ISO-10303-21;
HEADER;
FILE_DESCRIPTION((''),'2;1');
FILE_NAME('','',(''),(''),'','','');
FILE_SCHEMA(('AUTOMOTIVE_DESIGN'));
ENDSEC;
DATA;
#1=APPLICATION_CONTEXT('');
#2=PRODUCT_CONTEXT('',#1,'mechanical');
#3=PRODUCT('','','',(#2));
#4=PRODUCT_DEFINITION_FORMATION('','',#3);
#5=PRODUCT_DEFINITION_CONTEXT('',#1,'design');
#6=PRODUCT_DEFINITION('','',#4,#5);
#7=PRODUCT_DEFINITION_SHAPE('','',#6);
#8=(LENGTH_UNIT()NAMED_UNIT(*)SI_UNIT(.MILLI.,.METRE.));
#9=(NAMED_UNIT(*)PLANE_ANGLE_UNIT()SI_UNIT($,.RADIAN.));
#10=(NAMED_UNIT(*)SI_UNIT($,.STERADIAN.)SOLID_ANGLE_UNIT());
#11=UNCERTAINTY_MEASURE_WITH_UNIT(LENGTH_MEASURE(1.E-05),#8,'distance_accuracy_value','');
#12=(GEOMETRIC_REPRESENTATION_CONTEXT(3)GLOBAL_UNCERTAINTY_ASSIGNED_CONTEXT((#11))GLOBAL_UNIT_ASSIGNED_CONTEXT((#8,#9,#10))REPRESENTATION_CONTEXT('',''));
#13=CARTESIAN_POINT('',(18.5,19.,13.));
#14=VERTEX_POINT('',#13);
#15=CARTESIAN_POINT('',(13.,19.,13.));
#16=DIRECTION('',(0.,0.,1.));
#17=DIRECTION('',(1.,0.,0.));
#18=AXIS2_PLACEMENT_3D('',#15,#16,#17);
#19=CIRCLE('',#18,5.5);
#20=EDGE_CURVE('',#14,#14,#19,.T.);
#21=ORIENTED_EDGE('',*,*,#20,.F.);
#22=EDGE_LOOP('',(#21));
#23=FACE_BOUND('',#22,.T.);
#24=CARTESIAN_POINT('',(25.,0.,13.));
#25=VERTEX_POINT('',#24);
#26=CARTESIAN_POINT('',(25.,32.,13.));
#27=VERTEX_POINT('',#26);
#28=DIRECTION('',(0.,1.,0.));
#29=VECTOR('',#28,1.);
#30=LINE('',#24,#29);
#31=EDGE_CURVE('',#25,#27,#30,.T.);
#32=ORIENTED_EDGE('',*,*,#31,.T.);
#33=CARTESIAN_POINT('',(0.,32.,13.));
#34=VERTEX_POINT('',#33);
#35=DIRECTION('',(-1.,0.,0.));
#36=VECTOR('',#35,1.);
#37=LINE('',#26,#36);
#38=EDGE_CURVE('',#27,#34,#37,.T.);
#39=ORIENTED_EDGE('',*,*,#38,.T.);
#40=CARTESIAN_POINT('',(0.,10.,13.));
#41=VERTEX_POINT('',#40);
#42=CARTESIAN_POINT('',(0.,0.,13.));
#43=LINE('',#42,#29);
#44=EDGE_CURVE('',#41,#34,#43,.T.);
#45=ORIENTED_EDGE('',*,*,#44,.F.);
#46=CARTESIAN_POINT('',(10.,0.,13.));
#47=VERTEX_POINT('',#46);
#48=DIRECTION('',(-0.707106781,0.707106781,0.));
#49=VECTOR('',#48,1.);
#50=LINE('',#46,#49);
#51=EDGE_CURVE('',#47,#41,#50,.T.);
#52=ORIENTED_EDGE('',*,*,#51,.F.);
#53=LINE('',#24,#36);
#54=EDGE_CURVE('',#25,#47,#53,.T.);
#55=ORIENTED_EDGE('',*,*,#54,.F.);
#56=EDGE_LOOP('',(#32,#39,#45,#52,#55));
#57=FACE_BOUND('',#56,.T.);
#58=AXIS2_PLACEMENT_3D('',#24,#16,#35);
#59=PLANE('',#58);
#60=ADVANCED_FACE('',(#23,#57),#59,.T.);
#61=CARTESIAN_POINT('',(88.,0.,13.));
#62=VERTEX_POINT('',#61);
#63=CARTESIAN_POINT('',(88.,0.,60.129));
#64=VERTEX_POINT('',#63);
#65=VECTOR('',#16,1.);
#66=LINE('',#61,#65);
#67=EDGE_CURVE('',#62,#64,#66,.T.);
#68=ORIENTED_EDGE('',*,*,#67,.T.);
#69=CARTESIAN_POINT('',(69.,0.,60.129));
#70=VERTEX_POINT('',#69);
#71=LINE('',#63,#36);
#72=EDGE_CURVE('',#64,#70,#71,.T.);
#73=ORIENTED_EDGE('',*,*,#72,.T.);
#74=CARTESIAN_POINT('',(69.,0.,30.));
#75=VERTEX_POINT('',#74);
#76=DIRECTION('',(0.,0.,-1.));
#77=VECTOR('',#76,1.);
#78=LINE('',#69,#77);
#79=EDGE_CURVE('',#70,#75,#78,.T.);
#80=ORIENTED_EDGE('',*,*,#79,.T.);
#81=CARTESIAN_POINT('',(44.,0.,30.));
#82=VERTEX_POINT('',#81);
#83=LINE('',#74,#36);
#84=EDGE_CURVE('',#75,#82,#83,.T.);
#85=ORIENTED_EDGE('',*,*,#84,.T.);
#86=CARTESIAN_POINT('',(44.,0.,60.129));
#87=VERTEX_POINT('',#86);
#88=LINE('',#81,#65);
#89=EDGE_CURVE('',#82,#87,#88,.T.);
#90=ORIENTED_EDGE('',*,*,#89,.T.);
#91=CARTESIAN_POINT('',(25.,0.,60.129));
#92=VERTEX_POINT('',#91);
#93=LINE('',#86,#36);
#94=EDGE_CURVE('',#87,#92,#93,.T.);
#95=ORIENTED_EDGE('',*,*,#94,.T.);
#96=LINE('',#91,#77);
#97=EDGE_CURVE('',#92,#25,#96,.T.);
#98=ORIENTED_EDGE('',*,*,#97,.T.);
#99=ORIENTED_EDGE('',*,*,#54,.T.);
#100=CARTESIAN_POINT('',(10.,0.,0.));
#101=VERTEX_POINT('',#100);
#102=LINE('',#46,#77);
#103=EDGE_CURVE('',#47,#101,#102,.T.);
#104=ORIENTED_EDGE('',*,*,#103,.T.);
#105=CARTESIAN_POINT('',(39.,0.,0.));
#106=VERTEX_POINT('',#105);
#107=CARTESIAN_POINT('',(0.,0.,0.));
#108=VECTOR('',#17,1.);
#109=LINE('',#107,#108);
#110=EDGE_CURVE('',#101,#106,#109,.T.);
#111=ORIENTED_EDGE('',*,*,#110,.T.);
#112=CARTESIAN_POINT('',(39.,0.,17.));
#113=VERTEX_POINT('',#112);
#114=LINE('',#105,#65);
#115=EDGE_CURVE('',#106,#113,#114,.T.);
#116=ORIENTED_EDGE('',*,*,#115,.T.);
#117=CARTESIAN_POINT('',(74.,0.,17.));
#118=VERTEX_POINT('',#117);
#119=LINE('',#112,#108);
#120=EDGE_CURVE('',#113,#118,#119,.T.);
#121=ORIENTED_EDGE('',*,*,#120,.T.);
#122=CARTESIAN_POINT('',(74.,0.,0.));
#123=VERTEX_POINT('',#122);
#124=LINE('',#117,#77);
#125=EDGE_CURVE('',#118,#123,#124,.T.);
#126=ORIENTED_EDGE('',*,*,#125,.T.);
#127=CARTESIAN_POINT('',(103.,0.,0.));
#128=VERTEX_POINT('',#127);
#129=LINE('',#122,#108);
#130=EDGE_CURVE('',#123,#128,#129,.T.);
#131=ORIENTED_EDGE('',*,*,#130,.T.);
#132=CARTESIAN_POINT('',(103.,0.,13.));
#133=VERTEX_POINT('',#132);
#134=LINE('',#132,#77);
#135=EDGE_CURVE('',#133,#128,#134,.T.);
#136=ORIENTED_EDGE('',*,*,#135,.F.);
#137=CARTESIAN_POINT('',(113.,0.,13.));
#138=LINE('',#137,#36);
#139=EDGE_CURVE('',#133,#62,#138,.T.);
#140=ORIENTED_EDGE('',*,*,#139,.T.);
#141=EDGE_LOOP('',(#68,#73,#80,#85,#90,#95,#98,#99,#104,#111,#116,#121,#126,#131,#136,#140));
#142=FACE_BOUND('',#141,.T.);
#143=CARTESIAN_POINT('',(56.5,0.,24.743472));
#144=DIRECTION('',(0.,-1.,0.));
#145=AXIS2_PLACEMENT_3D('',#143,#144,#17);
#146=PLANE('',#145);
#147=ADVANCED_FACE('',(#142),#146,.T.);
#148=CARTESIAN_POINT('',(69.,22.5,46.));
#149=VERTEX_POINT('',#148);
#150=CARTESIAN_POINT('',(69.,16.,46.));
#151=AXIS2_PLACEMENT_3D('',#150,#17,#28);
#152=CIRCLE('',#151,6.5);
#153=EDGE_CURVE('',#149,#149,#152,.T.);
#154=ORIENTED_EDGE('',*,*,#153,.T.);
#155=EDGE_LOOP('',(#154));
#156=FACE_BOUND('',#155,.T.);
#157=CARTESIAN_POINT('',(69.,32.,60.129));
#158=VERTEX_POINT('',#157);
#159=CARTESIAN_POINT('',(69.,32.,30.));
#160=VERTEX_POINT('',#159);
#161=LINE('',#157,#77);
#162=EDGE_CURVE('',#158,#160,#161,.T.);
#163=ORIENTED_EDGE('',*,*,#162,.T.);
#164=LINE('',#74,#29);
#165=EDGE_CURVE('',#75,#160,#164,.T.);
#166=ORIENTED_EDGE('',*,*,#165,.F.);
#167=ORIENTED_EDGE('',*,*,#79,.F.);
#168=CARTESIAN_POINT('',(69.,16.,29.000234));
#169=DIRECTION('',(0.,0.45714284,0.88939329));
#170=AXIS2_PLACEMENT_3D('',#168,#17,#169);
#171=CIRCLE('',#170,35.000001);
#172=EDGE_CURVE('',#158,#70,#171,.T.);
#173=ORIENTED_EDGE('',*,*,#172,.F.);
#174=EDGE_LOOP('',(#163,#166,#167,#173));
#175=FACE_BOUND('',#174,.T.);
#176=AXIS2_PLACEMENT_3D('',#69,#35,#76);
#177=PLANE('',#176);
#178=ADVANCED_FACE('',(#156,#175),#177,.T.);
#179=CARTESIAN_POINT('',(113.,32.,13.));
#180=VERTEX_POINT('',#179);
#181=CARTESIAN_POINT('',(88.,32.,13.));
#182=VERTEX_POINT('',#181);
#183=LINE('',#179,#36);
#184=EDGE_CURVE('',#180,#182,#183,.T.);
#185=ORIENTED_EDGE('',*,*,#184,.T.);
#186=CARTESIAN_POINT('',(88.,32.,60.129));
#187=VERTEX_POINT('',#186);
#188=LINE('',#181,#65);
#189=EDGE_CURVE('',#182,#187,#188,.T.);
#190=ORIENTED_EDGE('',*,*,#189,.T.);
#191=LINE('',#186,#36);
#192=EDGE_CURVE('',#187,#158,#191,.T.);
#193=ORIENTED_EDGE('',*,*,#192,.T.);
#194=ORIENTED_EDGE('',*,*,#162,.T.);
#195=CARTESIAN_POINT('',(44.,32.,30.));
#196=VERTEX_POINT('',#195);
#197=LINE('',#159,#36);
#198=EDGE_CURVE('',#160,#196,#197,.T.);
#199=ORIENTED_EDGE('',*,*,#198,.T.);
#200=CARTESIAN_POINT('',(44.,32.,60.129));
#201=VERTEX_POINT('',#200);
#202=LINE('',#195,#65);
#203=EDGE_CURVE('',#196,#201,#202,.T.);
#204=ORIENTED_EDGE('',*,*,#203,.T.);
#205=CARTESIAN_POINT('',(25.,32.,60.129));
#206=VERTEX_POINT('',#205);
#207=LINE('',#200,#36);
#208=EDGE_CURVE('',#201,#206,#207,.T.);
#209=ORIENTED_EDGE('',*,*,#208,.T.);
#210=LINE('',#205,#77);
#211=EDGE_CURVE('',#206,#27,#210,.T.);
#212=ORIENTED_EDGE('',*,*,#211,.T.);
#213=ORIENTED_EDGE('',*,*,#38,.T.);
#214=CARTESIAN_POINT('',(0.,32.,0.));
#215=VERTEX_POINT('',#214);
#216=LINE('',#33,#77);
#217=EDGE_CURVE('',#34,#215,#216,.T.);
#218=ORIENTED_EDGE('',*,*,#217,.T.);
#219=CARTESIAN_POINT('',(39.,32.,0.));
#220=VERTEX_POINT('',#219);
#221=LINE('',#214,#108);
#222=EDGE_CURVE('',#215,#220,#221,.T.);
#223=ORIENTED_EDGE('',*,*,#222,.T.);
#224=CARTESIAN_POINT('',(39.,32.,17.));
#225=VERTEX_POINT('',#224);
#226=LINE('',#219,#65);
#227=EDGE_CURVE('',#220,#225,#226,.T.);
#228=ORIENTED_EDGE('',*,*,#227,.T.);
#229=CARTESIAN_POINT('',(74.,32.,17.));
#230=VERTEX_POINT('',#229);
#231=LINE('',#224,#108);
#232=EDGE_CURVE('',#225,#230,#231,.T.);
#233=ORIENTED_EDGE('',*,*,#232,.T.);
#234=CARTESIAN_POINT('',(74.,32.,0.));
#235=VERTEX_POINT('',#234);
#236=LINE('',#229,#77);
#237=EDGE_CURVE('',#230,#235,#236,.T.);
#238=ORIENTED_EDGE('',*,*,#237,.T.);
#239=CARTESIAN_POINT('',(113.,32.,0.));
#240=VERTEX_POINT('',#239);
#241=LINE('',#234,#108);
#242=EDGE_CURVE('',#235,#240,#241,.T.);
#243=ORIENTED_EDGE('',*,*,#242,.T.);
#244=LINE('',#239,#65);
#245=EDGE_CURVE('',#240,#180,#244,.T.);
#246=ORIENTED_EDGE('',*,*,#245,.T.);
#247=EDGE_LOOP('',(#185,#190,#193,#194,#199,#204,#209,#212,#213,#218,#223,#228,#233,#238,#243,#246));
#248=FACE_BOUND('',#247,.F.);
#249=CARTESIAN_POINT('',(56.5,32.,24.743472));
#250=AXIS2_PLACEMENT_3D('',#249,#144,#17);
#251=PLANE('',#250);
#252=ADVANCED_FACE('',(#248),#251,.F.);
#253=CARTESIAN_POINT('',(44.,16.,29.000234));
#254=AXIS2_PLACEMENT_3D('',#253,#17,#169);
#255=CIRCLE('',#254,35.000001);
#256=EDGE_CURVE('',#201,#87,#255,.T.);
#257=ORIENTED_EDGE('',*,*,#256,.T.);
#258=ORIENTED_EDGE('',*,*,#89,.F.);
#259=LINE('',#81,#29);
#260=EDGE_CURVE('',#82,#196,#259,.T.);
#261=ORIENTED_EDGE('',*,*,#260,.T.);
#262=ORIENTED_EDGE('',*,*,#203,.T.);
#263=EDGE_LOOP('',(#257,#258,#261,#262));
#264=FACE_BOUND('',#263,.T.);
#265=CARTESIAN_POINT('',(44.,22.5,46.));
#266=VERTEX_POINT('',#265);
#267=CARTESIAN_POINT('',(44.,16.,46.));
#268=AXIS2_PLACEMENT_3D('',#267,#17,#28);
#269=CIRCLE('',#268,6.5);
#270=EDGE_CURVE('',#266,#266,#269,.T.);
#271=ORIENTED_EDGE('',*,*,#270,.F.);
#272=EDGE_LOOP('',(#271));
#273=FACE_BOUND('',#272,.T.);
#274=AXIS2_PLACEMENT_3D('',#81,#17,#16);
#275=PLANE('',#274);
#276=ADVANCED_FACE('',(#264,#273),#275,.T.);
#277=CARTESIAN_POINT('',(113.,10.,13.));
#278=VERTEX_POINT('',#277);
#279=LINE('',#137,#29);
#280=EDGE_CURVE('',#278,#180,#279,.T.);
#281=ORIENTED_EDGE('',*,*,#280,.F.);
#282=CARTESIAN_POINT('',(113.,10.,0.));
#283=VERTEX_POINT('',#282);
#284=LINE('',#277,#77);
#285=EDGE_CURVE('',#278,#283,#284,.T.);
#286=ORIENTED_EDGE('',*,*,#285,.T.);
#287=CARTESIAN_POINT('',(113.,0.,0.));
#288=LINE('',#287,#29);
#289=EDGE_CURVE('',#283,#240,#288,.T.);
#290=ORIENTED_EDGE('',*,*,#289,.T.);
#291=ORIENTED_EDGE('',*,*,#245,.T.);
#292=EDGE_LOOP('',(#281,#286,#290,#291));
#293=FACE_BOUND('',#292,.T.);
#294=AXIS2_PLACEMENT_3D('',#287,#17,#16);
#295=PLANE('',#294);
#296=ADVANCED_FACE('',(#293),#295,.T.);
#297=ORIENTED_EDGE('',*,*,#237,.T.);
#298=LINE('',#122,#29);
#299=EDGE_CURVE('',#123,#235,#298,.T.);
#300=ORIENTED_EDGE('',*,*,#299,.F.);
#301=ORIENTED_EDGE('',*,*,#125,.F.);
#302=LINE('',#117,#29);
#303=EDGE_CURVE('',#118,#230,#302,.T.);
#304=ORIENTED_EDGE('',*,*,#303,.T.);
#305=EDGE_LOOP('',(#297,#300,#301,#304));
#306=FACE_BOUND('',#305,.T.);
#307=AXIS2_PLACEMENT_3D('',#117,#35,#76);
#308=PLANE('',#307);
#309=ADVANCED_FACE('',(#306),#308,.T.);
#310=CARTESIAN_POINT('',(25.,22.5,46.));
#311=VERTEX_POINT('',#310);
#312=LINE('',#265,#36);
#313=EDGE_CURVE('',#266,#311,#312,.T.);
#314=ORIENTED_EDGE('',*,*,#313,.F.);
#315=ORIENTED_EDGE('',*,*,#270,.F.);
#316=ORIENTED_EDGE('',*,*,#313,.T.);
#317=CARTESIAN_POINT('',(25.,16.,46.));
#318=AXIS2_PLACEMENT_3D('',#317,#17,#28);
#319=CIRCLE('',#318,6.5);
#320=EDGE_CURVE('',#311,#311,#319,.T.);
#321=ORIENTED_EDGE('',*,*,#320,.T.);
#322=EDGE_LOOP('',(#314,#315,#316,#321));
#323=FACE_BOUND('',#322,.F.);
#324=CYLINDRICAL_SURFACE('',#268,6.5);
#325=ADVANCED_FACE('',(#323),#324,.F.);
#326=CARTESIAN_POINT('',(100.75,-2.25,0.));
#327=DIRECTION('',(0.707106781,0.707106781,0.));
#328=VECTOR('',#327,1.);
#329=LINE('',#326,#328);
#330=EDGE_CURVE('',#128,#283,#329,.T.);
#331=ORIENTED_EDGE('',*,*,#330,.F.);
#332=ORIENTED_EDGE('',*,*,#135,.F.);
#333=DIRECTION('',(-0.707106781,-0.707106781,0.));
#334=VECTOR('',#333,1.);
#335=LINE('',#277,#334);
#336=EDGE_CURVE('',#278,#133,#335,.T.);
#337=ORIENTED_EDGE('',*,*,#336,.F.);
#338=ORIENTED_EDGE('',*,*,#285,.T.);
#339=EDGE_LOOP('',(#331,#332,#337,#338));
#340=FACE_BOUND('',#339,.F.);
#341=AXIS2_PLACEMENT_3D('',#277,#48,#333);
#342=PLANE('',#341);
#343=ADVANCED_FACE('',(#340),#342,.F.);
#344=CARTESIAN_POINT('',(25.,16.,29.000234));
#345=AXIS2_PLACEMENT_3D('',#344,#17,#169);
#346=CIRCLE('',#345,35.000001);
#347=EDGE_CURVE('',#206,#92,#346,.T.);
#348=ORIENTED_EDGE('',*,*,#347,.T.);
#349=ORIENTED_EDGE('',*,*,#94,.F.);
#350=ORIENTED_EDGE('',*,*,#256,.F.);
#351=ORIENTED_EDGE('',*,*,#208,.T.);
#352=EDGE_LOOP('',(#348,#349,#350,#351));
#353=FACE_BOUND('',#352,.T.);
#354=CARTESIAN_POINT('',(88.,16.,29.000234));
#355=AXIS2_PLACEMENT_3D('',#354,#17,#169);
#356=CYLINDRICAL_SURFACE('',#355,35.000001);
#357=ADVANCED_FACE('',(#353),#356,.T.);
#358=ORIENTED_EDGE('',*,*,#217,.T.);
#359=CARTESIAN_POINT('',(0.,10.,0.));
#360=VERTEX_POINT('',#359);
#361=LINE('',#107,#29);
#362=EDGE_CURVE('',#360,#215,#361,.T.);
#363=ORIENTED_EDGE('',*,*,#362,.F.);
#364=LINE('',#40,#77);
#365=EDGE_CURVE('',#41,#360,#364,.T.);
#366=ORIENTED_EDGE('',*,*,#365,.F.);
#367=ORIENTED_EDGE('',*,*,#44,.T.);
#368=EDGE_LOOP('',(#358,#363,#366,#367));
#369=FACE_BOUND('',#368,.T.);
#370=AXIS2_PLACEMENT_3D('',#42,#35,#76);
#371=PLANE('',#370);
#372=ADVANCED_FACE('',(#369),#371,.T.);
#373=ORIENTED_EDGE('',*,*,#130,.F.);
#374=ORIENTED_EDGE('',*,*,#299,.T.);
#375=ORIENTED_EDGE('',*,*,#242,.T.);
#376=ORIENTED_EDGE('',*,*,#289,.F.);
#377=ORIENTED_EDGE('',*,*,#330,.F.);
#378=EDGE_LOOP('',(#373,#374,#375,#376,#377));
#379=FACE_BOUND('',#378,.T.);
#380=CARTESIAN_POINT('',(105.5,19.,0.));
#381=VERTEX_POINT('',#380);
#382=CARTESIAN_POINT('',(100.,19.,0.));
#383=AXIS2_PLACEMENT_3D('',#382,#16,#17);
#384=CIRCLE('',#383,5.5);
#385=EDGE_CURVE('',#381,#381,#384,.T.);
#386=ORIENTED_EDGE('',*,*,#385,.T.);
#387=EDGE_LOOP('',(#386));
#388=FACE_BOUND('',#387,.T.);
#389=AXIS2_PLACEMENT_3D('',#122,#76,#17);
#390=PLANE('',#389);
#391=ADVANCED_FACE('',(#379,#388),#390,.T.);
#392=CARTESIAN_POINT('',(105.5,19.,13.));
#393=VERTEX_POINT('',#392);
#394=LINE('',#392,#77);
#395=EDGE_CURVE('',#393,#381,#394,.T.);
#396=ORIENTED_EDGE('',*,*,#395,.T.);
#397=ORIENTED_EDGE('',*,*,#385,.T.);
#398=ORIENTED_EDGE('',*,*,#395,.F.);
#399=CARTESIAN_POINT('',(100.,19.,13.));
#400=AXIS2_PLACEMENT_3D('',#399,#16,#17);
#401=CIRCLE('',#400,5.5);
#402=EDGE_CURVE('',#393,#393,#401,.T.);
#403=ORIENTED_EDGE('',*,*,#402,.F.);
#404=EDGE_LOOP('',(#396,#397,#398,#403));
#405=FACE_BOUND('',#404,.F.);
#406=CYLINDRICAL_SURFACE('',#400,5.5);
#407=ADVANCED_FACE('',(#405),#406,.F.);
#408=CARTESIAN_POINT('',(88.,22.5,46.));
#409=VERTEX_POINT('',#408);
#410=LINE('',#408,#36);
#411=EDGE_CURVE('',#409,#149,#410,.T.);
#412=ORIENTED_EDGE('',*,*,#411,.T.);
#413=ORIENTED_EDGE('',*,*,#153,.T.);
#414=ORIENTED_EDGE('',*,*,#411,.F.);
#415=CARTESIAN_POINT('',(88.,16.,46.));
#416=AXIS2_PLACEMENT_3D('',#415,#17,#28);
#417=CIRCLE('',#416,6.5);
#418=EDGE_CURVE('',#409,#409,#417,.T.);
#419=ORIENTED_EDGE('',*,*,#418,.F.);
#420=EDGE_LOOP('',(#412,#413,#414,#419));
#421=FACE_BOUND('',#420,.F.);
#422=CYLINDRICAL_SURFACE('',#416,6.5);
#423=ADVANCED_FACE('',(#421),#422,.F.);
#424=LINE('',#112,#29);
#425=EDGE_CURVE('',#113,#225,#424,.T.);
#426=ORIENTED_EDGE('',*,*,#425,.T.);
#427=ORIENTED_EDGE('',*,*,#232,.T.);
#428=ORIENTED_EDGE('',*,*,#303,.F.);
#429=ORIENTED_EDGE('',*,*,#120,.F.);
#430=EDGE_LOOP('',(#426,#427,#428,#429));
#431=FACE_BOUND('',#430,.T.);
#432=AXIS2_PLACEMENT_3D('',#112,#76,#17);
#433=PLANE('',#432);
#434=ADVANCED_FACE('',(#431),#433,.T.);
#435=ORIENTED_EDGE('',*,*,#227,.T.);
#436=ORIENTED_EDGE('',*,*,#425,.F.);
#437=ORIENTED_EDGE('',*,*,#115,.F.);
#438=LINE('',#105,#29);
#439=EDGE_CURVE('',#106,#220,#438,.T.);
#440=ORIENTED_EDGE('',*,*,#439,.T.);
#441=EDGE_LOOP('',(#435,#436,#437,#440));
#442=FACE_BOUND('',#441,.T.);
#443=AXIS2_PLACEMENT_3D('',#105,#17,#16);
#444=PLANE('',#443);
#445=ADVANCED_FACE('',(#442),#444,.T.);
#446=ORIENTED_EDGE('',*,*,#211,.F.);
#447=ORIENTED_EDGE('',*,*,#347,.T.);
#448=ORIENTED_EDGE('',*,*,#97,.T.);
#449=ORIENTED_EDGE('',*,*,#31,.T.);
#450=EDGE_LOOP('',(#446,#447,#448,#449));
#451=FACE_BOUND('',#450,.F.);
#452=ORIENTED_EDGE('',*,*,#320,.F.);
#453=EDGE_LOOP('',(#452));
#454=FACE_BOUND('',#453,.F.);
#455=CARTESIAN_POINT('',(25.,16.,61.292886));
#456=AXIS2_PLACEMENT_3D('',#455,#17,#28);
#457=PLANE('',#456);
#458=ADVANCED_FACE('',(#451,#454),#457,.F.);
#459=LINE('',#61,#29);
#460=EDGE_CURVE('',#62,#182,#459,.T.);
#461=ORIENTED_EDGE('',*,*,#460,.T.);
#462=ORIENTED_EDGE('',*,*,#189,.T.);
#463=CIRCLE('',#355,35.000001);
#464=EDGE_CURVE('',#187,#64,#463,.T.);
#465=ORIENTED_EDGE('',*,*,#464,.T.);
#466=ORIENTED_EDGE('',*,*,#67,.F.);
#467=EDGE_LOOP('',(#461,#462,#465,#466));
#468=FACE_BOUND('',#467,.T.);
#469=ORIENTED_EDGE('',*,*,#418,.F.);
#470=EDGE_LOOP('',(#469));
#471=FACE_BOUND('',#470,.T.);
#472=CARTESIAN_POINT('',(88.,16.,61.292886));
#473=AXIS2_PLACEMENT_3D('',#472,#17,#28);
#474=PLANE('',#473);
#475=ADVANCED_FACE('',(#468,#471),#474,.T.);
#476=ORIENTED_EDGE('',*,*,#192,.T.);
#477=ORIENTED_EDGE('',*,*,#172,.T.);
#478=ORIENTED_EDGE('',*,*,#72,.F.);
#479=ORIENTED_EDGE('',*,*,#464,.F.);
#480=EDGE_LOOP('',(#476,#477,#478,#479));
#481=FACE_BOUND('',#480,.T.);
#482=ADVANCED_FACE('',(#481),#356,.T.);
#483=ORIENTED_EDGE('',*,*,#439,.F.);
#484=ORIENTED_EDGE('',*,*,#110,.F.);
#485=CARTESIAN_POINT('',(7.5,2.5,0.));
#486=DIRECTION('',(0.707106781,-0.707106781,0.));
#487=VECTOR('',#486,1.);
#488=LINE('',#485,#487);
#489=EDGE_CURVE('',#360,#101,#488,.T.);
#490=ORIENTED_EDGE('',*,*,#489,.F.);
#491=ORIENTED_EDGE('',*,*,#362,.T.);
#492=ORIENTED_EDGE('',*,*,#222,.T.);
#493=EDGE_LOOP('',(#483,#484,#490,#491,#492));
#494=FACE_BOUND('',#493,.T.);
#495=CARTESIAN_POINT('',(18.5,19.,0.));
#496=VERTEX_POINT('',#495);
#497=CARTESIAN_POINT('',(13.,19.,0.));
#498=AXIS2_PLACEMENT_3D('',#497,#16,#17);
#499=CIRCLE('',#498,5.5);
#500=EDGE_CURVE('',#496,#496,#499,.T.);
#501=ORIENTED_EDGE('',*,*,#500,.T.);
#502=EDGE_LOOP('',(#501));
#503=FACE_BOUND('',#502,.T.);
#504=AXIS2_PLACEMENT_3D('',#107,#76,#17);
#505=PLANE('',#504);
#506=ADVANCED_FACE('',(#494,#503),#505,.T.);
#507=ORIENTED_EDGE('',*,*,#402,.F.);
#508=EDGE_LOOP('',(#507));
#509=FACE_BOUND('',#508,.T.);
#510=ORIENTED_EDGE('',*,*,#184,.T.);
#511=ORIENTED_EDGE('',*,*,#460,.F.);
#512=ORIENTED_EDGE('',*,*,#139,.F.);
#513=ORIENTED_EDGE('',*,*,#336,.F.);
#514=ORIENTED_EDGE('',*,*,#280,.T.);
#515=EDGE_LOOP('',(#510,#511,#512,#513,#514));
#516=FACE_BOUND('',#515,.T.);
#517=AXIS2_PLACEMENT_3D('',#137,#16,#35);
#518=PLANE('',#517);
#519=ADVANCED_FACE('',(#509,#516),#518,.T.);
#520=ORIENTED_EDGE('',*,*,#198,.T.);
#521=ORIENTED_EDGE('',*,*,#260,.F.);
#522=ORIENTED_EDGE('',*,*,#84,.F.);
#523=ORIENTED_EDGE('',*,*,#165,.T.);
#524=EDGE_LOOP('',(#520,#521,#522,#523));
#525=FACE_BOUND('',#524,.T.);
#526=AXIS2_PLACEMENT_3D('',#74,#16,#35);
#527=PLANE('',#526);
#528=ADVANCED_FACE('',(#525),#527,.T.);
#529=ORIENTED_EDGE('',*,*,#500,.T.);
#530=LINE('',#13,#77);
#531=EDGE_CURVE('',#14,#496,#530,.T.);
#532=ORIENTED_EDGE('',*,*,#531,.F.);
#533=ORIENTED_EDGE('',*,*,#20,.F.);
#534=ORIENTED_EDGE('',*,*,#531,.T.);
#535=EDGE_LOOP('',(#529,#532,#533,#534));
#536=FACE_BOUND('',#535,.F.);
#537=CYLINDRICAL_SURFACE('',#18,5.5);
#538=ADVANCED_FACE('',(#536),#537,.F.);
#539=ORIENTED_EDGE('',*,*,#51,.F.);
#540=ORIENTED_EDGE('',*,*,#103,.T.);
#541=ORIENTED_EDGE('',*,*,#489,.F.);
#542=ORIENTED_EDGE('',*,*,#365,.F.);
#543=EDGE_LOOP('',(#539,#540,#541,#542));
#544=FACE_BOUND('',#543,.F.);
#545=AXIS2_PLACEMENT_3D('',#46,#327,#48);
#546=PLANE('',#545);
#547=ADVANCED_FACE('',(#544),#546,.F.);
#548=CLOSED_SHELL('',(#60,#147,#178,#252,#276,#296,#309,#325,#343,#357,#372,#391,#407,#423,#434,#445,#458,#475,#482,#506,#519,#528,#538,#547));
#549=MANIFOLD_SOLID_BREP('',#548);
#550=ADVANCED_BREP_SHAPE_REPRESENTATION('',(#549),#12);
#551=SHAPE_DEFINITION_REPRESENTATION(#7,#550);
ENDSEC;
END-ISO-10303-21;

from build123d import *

# Parameters (mm, degrees)
F1_DEPTH  = 32
F2_R      = 5.5
F6_DEPTH  = 25
F7_DEPTH  = 25
F3_R      = 6.5
F8_DEPTH  = 25
F4_R      = 6.5
F9_DEPTH  = 25
F5_R      = 5.5
F10_DEPTH = 25
F11_DEPTH = 25
F12_DEPTH = 63
F13_DEPTH = 25


with BuildPart() as f1:
    # F0 (on Front) → F1 (new body)
    with BuildSketch(Plane.XZ):
        Polygon((44, 60.129), (25, 60.129), (25, 13), (0, 13), (0, 0), (39, 0), (39, 17), (74, 17), (74, 0), (113, 0), (113, 13), (88, 13), (88, 60.129), (69, 60.129), (69, 30), (44, 30), align=None)
    extrude(amount=-F1_DEPTH)

    # F2 (on face) → F6 (cut)
    with BuildSketch(Plane.XY.offset(13)):
        with Locations((100, 19)):
            Circle(F2_R)
    extrude(amount=-F6_DEPTH, mode=Mode.SUBTRACT)

    # F2 (on face) → F7 (cut)
    with BuildSketch(Plane.XY.offset(13)):
        Polygon((113, 10), (103, 0), (113, 0), align=None)
    extrude(amount=-F7_DEPTH, mode=Mode.SUBTRACT)

    # F3 (on face) → F8 (cut)
    with BuildSketch(Plane.YZ.offset(88)):
        with Locations((16, 46)):
            Circle(F3_R)
    extrude(amount=-F8_DEPTH, mode=Mode.SUBTRACT)

    # F4 (on face) → F9 (cut)
    with BuildSketch(Plane.YZ.offset(44)):
        with Locations((16, 46)):
            Circle(F4_R)
    extrude(amount=-F9_DEPTH, mode=Mode.SUBTRACT)

    # F5 (on face) → F10 (cut)
    with BuildSketch(Plane.XY.offset(13)):
        with Locations((13, 19)):
            Circle(F5_R)
    extrude(amount=-F10_DEPTH, mode=Mode.SUBTRACT)

    # F5 (on face) → F11 (cut)
    with BuildSketch(Plane.XY.offset(13)):
        Polygon((10, 0), (0, 10), (0, 0), align=None)
    extrude(amount=-F11_DEPTH, mode=Mode.SUBTRACT)

    # F3 (on face) → F12 (join)
    with BuildSketch(Plane.YZ.offset(88)):
        with BuildLine():
            Line((0, 60.129), (32, 60.129))
            ThreePointArc((32, 60.129), (16, 64.000235), (0, 60.129))
        make_face()
    extrude(amount=-F12_DEPTH)

    # F4 (on face) → F13 (cut)
    with BuildSketch(Plane.YZ.offset(44)):
        with BuildLine():
            Line((0, 60.129), (32, 60.129))
            ThreePointArc((32, 60.129), (16, 64.000235), (0, 60.129))
        make_face()
    extrude(amount=F13_DEPTH, mode=Mode.SUBTRACT)


solid = f1.part
